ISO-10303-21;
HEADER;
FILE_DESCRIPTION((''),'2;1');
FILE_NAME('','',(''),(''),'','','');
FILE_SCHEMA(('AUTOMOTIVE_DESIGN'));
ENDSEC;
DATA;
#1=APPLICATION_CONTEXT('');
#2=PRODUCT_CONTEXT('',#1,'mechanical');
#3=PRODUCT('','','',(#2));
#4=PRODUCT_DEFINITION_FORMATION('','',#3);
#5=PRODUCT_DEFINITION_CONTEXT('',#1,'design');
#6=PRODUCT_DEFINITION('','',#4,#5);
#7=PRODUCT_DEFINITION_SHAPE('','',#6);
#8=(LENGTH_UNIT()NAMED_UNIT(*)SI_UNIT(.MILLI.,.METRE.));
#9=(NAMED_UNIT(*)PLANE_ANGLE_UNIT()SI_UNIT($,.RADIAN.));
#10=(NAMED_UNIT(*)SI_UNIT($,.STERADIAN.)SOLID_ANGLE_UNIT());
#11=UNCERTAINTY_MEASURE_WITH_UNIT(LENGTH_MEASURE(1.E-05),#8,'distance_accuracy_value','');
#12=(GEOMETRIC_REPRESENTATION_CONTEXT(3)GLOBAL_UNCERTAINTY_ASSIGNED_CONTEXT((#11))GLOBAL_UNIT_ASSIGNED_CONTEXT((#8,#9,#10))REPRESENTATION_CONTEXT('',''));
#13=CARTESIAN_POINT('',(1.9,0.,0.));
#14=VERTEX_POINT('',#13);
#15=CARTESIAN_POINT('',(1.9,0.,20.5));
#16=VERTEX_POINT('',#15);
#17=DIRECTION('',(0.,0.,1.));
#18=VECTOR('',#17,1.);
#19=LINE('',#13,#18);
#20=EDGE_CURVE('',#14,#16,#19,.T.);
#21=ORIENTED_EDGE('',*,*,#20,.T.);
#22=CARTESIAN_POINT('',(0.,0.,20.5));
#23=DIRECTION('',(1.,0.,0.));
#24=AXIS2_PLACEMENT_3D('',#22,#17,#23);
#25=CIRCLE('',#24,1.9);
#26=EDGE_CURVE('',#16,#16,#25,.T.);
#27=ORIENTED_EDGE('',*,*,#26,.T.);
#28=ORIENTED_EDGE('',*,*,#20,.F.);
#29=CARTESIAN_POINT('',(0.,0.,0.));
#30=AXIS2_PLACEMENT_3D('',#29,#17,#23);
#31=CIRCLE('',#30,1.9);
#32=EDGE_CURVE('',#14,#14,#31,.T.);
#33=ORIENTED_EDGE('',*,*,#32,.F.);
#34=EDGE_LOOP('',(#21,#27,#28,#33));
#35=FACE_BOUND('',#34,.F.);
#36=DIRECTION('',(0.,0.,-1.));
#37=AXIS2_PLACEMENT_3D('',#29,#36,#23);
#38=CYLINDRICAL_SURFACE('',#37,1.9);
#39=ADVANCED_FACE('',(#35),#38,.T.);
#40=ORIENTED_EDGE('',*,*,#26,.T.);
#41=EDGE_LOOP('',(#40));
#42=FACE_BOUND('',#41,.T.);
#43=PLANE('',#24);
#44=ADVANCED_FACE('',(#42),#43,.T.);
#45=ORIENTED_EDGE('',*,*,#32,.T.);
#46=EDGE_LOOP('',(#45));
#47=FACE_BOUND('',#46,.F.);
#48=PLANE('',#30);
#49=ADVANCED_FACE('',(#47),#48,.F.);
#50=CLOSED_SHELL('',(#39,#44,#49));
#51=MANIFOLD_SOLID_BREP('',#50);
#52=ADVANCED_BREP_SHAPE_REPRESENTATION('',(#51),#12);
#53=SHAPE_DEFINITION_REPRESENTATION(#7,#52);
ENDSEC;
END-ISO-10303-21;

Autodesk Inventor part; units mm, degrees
ref_plane "YZ Plane" through (0, 0, 0) normal (1, 0, 0) x (0, 1, 0)
ref_plane "XZ Plane" through (0, 0, 0) normal (0, 1, 0) x (-1, 0, 0)
ref_plane "XY Plane" through (0, 0, 0) normal (0, 0, 1) x (1, 0, 0)
sketch "Sketch1" plane through (0, 0, 0) normal (0, 0, 1) x (1, 0, 0)
  circle A0 centre (0, 0) radius 1.9
  dimension "d0" = 3.8
extrude "Extrusion1" add sketch "Sketch1" along normal blind 20.5
properties part number "ClusterAssemblyTool"
